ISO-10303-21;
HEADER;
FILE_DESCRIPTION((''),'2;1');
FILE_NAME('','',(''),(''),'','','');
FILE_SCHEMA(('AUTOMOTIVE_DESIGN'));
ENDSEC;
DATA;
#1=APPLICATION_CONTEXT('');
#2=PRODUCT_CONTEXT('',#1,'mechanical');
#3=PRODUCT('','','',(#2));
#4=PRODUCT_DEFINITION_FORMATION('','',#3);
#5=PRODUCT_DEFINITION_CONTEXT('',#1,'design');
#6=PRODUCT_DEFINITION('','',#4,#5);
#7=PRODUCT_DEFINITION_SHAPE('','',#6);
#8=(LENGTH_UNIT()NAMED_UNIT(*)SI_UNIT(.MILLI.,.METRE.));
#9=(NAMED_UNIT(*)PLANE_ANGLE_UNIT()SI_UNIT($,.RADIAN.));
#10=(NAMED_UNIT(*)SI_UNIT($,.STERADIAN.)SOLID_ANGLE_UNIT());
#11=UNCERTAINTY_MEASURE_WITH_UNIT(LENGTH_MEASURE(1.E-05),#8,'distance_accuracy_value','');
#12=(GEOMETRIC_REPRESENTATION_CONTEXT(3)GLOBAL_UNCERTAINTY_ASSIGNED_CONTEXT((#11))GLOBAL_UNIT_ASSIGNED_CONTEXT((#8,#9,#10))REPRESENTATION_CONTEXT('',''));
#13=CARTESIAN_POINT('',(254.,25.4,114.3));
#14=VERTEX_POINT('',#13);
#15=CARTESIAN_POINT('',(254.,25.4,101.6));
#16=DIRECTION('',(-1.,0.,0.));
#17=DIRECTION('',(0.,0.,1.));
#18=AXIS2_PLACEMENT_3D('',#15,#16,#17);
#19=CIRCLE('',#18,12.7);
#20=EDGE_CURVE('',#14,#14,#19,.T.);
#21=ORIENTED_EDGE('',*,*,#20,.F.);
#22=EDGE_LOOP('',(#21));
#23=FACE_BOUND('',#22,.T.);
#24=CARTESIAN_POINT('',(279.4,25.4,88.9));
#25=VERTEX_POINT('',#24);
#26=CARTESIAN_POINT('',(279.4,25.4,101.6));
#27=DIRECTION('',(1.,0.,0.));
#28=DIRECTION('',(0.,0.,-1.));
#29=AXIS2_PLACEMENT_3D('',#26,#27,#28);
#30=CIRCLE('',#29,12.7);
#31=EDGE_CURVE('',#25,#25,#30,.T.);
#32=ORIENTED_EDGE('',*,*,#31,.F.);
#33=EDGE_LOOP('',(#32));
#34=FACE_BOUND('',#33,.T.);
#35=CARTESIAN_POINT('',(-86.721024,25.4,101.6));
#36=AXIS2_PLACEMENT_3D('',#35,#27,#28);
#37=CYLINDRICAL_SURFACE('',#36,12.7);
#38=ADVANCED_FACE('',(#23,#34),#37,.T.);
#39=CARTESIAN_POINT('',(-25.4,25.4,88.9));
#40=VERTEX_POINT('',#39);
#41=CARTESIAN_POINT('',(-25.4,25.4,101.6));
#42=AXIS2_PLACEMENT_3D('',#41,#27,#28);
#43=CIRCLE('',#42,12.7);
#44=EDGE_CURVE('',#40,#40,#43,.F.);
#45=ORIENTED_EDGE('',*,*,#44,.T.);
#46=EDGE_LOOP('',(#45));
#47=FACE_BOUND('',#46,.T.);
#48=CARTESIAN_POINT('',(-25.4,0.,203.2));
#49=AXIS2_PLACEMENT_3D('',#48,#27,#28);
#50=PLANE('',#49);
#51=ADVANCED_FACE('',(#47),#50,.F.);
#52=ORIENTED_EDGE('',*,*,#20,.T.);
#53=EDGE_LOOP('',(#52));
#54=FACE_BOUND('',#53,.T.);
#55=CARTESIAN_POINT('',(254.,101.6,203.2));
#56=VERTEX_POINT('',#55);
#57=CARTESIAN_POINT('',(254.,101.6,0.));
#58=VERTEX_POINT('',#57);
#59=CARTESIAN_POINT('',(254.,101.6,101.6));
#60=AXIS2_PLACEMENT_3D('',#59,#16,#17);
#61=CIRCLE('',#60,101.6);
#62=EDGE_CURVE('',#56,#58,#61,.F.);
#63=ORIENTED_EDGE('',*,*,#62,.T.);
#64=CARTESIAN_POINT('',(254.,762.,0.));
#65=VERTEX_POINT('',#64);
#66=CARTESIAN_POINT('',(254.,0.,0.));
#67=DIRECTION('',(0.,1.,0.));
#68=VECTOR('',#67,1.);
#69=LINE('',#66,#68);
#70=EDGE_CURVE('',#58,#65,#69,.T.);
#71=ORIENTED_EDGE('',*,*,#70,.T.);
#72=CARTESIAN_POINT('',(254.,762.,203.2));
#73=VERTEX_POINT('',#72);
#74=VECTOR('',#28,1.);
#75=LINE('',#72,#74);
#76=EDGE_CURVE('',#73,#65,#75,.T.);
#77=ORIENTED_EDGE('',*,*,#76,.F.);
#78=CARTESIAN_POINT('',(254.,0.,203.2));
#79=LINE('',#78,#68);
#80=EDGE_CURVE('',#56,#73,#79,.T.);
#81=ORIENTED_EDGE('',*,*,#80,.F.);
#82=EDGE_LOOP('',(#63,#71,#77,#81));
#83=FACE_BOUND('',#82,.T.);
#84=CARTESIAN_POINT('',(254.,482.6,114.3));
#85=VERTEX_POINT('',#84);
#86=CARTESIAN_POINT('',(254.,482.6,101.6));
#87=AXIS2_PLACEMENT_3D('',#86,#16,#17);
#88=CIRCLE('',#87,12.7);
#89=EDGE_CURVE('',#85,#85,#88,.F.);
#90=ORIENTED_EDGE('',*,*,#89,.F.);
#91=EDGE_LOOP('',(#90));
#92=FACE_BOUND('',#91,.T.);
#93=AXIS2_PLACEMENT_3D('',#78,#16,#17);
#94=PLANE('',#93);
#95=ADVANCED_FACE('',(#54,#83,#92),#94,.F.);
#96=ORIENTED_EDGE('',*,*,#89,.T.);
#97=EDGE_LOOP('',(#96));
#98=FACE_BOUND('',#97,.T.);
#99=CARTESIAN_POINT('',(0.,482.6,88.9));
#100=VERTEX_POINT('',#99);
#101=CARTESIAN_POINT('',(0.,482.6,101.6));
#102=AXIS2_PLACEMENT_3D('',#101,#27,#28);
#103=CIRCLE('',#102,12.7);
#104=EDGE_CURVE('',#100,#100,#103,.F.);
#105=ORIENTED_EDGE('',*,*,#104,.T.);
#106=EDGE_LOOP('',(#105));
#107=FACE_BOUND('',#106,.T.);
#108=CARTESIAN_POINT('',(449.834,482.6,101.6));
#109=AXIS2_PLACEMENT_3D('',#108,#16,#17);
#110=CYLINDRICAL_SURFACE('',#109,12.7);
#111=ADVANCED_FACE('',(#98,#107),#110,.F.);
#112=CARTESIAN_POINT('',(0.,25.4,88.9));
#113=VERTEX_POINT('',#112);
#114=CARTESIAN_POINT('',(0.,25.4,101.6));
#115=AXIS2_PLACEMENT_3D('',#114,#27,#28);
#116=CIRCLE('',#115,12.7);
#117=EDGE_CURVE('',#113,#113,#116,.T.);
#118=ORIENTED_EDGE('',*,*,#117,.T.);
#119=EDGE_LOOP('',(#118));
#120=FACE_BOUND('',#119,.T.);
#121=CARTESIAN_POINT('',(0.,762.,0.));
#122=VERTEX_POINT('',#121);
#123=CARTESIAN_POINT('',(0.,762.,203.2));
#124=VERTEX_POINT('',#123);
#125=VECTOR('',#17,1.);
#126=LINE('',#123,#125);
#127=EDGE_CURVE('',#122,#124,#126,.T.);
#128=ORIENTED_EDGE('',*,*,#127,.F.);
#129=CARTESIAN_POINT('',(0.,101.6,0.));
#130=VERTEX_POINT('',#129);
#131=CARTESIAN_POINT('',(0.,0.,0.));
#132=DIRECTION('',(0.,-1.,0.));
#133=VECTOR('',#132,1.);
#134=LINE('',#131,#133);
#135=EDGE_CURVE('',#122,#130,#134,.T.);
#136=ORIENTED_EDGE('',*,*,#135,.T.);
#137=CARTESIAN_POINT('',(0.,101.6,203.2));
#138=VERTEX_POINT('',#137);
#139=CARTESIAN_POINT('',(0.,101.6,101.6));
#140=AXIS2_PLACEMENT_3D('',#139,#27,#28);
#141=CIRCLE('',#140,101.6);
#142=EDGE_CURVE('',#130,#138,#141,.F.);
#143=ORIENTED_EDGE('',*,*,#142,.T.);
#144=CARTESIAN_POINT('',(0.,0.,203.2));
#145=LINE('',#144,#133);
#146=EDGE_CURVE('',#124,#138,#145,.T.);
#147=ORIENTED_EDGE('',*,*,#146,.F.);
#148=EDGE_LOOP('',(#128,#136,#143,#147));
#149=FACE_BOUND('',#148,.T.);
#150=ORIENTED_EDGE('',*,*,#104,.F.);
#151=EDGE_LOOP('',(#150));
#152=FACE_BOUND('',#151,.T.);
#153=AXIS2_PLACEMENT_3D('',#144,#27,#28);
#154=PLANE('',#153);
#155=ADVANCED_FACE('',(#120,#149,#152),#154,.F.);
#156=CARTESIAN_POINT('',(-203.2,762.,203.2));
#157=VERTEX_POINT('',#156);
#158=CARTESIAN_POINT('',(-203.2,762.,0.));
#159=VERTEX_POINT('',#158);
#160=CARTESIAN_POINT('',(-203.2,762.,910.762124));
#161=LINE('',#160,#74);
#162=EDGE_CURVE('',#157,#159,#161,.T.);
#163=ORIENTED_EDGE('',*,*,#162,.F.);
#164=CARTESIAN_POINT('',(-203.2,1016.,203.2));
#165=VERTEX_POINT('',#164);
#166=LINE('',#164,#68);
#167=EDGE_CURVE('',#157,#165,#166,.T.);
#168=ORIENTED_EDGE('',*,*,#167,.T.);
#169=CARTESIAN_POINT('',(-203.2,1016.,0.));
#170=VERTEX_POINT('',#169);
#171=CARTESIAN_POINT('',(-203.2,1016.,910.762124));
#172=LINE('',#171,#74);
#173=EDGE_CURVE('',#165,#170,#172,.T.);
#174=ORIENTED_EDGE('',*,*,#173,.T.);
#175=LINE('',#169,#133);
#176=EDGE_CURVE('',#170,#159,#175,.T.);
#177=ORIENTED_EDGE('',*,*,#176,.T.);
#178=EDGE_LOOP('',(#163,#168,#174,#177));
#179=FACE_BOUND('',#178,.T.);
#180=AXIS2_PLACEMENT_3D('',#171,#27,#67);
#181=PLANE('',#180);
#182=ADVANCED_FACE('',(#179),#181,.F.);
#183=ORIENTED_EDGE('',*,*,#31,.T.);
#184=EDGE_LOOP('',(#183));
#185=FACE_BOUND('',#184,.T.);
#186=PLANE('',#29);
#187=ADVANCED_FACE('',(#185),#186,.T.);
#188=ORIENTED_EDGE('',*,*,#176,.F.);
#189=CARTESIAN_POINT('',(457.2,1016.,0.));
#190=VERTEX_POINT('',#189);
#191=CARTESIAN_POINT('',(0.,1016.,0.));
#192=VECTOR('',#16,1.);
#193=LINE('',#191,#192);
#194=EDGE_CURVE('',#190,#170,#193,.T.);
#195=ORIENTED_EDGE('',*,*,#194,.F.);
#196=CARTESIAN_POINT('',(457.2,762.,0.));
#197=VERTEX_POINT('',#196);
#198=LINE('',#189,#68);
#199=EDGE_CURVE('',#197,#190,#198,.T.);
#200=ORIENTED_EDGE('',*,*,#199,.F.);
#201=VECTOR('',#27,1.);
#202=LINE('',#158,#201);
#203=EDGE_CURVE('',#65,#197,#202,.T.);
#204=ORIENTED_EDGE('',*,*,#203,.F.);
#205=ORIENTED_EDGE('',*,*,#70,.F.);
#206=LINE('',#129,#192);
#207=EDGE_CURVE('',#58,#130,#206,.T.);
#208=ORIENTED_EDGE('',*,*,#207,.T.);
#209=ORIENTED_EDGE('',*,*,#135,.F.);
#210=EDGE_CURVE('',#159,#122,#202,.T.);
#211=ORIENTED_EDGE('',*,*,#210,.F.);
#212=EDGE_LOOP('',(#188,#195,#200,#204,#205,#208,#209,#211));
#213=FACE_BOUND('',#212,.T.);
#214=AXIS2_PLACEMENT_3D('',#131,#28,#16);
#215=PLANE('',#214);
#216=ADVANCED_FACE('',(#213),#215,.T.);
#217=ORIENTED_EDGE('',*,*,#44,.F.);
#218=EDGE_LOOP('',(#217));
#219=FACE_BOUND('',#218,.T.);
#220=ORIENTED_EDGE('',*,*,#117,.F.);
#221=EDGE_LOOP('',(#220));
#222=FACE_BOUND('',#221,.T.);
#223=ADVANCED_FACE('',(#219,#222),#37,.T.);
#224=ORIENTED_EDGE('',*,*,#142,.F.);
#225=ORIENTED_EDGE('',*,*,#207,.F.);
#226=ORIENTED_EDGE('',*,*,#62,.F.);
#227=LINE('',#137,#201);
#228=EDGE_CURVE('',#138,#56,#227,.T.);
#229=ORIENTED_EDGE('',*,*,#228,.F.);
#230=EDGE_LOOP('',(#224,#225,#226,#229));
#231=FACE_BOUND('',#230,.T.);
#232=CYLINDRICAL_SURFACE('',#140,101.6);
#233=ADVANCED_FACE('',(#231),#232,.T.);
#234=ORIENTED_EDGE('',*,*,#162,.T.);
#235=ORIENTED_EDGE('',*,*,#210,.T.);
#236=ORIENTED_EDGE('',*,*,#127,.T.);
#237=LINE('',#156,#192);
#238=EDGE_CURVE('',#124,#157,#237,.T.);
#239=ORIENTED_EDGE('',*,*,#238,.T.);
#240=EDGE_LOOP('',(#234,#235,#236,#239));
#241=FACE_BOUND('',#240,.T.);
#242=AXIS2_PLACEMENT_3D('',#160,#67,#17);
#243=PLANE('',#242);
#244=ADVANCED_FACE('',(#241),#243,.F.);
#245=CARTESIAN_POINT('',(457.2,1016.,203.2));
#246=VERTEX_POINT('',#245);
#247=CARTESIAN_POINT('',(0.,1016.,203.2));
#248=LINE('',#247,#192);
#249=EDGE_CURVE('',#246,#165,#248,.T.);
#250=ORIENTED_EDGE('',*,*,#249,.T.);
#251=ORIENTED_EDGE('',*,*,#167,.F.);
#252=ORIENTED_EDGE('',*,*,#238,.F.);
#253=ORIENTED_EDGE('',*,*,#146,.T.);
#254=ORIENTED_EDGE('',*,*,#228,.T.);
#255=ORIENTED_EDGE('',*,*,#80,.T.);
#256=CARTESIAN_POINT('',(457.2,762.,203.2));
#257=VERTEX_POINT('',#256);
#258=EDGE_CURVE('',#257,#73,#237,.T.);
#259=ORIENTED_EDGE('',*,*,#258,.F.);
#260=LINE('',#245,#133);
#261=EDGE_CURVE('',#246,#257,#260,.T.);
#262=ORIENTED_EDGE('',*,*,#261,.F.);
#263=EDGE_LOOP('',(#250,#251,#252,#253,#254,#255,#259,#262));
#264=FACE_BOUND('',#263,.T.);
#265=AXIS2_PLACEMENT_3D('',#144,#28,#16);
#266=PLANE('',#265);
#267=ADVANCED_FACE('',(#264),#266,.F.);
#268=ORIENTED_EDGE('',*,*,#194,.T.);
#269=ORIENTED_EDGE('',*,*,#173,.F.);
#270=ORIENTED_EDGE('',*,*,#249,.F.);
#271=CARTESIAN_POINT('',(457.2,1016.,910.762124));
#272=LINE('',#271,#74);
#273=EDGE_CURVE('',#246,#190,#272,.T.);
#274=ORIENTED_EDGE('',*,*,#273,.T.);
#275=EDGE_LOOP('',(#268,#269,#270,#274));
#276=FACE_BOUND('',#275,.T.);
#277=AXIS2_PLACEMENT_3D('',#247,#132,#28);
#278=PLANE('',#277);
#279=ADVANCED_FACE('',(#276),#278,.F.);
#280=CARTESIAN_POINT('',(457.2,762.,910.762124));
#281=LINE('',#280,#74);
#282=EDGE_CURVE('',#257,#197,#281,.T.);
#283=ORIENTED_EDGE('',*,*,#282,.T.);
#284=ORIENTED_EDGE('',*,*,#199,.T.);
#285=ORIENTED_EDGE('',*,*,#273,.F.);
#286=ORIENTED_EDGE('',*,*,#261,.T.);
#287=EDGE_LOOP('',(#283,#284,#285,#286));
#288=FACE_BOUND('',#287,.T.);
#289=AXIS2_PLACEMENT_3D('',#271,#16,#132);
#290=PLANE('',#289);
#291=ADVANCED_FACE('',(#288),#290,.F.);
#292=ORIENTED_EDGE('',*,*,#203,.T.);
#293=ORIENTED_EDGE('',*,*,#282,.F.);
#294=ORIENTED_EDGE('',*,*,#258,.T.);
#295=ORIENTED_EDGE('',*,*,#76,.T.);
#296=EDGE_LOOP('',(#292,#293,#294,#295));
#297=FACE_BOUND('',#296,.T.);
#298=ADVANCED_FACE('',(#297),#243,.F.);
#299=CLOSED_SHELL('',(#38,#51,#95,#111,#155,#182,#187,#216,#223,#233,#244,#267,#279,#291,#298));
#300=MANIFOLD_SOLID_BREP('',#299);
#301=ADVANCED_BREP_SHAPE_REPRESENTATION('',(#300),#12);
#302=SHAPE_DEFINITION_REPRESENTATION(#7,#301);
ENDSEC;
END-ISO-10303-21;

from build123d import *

# Parameters (mm, degrees)
SKETCH1_W                       = 254
SKETCH1_H                       = 1016
BOSS_EXTRUDE1_DEPTH             = 203.2
FILLET1_RADIUS                  = 101.6
FILLET1_LENGTH                  = 254
BOSS_EXTRUDE2_DEPTH             = 25.4
BOSS_EXTRUDE2_DEPTH_BACK        = 279.4
SKETCH2_R                       = 12.7
CUT_EXTRUDE1_DEPTH              = 195.834
CUT_EXTRUDE1_DEPTH_BACK         = 440.182
SKETCH4_R                       = 12.7
BOSS_EXTRUDE3_REACH             = 1060.604
SKETCH5_W                       = 660.4
SKETCH5_H                       = 254
BOSS_EXTRUDE3_DIRECTION_2_REACH = 1060.604


with BuildPart() as part:
    # Sketch1 → Boss-Extrude1 (new body)
    with BuildSketch(Plane.XY):
        with Locations((127, 508)):
            Rectangle(SKETCH1_W, SKETCH1_H)
    extrude(amount=BOSS_EXTRUDE1_DEPTH)

    # Fillet1: full round fillet: the end face becomes a half cylinder, R = half its width
    fillet1_face = Plane((127, 0, 101.6), x_dir=(1, 0, 0), z_dir=(0, -1, 0))  # on the end face: x along it, z out of the body
    fillet1_slab = fillet1_face.offset(-FILLET1_RADIUS / 2) * Box(FILLET1_LENGTH, 2 * FILLET1_RADIUS, FILLET1_RADIUS, mode=Mode.PRIVATE)  # the body's end, R deep
    fillet1_round = Plane((127, 101.6, 101.6), x_dir=(0, -1, 0), z_dir=(1, 0, 0)) * Cylinder(FILLET1_RADIUS, FILLET1_LENGTH, mode=Mode.PRIVATE)  # its axis R under the face
    add(fillet1_slab - fillet1_round, mode=Mode.SUBTRACT)

    # Sketch2 → Boss-Extrude2 (add, two sides: drawn at the far end of the back side and taken through both)
    with BuildSketch(Plane(origin=(254, 0, 0), x_dir=(0, 0, -1), z_dir=(1, 0, 0)).offset(-BOSS_EXTRUDE2_DEPTH_BACK)):
        with Locations((-101.6, 25.4)):
            Circle(SKETCH2_R)
    extrude(amount=BOSS_EXTRUDE2_DEPTH + BOSS_EXTRUDE2_DEPTH_BACK)

    # Sketch4 → Cut-Extrude1 (cut, two sides: drawn at the far end of the back side and taken through both)
    with BuildSketch(Plane(origin=(254, 0, 0), x_dir=(0, 0, -1), z_dir=(1, 0, 0)).offset(-CUT_EXTRUDE1_DEPTH_BACK)):
        with Locations(Location((-101.6, 482.6, 0), (0, 0, 180))):
            Circle(SKETCH4_R)
    extrude(amount=CUT_EXTRUDE1_DEPTH + CUT_EXTRUDE1_DEPTH_BACK, mode=Mode.SUBTRACT)

    # Boss-Extrude3: up to this face of the body (flat: up to its plane)
    boss_extrude3_end = Plane(part.part.faces().sort_by_distance((127, 558.8, 203.2))[0])
    # Sketch5 → Boss-Extrude3 (add, up to the picked face)
    with BuildSketch(Plane.XY.offset(101.6), mode=Mode.PRIVATE) as boss_extrude3_sk1:
        with Locations((127, 889)):
            Rectangle(SKETCH5_W, SKETCH5_H)
    boss_extrude3_tool1 = split(extrude(boss_extrude3_sk1.sketch, amount=BOSS_EXTRUDE3_REACH, mode=Mode.PRIVATE), bisect_by=boss_extrude3_end, keep=Keep.BOTH, mode=Mode.PRIVATE)
    add(boss_extrude3_tool1.solids().sort_by(Axis((127, 889, 101.6), (0, 0, 1)))[0])

    # Boss-Extrude3 direction 2: up to this face of the body (flat: up to its plane)
    boss_extrude3_direction_2_end = Plane(part.part.faces().sort_by_distance((127, 558.8, 0))[0])
    # Sketch5 → Boss-Extrude3 direction 2 (add, up to the picked face)
    with BuildSketch(Plane.XY.offset(101.6), mode=Mode.PRIVATE) as boss_extrude3_direction_2_sk1:
        with Locations((127, 889)):
            Rectangle(SKETCH5_W, SKETCH5_H)
    boss_extrude3_direction_2_tool1 = split(extrude(boss_extrude3_direction_2_sk1.sketch, amount=-BOSS_EXTRUDE3_DIRECTION_2_REACH, mode=Mode.PRIVATE), bisect_by=boss_extrude3_direction_2_end, keep=Keep.BOTH, mode=Mode.PRIVATE)
    add(boss_extrude3_direction_2_tool1.solids().sort_by(Axis((127, 889, 101.6), (0, 0, -1)))[0])


solid = part.part
